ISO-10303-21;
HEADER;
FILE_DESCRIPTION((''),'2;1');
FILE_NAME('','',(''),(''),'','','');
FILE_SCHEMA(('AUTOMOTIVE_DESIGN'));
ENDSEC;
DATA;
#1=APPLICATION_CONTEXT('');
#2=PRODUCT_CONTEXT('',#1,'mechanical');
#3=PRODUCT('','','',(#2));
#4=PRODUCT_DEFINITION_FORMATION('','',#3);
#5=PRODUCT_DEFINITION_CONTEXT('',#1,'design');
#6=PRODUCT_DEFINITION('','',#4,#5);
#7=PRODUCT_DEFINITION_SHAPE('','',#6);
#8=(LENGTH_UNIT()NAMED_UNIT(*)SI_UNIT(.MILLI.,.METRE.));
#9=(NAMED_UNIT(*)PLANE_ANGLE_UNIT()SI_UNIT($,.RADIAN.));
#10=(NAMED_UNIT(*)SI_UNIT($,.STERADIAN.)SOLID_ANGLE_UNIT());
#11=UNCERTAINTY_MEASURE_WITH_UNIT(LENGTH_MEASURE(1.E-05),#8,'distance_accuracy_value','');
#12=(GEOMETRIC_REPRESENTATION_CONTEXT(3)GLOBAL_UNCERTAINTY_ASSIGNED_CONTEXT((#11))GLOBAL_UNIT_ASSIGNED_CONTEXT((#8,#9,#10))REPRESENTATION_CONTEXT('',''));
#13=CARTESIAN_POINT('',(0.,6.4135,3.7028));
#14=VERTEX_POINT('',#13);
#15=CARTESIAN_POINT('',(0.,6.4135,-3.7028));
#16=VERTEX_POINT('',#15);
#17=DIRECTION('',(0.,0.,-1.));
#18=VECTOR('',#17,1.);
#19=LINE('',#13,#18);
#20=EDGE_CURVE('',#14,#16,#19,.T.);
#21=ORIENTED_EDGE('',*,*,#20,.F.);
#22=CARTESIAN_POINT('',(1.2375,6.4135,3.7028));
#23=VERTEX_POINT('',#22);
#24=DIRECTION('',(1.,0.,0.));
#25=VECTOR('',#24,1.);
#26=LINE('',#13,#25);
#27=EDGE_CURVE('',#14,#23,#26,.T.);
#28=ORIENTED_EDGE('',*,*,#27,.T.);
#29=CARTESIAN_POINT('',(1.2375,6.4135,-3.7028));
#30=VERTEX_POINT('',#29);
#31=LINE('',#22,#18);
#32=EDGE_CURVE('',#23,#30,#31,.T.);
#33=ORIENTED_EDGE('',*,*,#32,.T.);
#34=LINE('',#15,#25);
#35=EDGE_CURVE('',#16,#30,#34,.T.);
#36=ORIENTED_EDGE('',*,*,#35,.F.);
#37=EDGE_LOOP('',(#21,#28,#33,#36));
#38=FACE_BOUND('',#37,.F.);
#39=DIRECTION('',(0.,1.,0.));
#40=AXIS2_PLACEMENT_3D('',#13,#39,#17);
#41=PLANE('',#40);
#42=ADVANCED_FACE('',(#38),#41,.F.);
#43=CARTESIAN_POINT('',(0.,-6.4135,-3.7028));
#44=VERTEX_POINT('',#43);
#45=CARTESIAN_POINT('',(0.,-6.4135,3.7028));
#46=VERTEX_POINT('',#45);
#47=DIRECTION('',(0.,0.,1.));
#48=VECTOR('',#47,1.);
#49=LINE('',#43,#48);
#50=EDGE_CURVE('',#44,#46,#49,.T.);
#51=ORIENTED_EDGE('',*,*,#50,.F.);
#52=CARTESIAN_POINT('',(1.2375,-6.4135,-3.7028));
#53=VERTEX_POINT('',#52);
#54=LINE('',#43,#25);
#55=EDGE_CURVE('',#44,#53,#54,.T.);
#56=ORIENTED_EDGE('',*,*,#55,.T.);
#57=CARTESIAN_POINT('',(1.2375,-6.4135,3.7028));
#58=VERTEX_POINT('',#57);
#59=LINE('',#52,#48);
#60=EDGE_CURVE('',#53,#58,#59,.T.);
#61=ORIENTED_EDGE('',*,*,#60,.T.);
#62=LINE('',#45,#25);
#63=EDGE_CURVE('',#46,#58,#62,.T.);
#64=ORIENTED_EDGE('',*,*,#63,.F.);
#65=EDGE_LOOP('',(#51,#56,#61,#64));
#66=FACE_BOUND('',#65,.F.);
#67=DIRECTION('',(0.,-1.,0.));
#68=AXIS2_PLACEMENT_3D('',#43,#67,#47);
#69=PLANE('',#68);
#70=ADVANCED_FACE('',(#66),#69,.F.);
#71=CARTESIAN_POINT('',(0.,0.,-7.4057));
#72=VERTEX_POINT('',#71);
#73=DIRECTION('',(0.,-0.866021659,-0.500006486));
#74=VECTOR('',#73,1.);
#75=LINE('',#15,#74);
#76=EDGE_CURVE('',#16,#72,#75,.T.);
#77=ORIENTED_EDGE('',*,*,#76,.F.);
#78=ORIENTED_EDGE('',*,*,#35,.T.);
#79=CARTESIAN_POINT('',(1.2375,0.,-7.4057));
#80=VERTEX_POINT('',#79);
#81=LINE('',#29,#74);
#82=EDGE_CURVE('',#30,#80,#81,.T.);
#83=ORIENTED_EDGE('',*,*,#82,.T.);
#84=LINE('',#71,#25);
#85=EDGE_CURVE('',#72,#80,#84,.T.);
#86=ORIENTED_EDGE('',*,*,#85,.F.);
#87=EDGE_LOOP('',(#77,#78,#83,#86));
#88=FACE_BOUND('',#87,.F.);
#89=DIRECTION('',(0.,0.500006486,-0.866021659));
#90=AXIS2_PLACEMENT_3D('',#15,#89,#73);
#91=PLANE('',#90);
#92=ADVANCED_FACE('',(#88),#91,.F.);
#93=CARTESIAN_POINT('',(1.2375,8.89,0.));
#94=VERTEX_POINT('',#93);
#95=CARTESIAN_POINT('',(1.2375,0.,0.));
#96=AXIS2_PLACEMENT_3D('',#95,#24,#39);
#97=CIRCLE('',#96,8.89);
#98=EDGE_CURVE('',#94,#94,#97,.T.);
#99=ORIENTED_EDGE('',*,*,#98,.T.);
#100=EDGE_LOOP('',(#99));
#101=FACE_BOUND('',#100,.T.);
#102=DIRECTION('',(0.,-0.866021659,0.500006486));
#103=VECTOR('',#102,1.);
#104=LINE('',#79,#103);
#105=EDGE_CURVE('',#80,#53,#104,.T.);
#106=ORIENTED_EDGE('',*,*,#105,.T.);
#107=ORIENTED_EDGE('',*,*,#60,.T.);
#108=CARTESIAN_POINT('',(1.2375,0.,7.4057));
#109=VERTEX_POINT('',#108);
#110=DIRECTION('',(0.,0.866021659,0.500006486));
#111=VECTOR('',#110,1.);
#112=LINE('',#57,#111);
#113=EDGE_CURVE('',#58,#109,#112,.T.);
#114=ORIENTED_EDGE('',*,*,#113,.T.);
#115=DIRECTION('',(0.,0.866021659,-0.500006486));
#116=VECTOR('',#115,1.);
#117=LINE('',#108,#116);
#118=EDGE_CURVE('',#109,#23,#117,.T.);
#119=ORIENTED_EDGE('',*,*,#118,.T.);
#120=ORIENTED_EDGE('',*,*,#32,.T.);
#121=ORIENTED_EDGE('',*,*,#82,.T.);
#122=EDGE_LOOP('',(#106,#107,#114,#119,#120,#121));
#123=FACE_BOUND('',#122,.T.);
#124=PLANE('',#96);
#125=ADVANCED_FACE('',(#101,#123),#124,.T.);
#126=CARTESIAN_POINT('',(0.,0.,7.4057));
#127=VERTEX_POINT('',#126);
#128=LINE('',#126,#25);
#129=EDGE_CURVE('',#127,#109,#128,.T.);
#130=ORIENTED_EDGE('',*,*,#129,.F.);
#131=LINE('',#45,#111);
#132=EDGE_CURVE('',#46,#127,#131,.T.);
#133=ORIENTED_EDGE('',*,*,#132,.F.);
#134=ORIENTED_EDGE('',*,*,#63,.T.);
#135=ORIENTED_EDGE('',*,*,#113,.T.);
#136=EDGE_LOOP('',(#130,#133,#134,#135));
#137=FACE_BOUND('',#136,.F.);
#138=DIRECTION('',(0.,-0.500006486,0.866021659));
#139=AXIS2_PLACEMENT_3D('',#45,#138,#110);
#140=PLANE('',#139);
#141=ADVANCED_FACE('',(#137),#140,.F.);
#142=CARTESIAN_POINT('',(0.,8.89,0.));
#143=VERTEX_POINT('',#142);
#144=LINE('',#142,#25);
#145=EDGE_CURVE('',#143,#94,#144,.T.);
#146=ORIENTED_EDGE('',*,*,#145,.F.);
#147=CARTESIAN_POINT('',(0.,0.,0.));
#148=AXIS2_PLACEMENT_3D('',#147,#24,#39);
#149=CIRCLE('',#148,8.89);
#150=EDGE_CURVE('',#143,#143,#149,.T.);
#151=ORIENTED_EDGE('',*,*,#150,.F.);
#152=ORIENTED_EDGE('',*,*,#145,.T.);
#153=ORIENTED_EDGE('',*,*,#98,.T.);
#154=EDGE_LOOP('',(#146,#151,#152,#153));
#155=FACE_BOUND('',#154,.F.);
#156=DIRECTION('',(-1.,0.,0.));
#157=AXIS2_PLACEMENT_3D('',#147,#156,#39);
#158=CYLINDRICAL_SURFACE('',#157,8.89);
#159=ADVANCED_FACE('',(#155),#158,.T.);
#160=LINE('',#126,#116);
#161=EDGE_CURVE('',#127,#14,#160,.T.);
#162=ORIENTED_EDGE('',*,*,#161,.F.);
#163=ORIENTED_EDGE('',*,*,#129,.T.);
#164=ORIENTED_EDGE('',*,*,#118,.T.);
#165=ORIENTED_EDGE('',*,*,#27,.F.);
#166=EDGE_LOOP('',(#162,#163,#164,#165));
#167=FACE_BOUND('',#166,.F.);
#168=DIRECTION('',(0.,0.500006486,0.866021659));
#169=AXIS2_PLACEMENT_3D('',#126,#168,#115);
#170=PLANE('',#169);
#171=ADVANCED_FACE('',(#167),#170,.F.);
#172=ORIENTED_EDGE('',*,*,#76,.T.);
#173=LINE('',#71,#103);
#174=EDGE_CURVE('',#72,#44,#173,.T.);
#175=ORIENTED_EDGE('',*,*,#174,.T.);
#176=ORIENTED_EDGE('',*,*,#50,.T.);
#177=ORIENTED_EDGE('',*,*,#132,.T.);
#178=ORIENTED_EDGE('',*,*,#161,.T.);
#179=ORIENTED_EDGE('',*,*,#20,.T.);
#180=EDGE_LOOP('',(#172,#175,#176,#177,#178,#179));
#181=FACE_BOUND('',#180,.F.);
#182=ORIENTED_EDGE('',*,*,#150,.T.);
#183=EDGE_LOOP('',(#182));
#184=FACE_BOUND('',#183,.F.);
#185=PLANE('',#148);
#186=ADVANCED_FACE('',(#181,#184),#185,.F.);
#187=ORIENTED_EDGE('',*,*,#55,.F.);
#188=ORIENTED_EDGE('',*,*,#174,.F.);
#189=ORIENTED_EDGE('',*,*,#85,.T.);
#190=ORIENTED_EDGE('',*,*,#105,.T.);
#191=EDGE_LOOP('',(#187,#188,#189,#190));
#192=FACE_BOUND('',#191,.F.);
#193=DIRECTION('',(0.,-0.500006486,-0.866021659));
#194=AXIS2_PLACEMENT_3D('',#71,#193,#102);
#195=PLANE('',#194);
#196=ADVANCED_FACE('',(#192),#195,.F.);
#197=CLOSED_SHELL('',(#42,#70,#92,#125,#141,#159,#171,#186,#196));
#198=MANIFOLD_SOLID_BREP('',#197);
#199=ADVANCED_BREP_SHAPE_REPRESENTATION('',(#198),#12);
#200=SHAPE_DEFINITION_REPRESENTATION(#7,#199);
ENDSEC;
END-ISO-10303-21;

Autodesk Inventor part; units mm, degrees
ref_plane "YZ Plane" through (0, 0, 0) normal (1, 0, 0) x (0, 1, 0)
ref_plane "XZ Plane" through (0, 0, 0) normal (0, 1, 0) x (-1, 0, 0)
ref_plane "XY Plane" through (0, 0, 0) normal (0, 0, 1) x (1, 0, 0)
sketch "Sketch1" plane through (0, 0, 0) normal (1, 0, 0) x (0, 1, 0)
  line L0 (-6.4135, -3.7028) -> (-6.4135, 3.7028)
  line L1 (-6.4135, 3.7028) -> (0, 7.4057)
  line L2 (0, 7.4057) -> (6.4135, 3.7028)
  line L3 (6.4135, 3.7028) -> (6.4135, -3.7028)
  line L4 (6.4135, -3.7028) -> (0, -7.4057)
  line L5 (0, -7.4057) -> (-6.4135, -3.7028)
  circle A0 centre (0, 0) radius 8.89
  dimension "d0" = 12.827
  dimension "d1" = 17.78
extrude "Extrusion1" add sketch "Sketch1" along normal blind 1.2375
properties part number "3DPRINT,BACKROLLERS,INTERROLLER,SPACER" material "ABS Plastic"
